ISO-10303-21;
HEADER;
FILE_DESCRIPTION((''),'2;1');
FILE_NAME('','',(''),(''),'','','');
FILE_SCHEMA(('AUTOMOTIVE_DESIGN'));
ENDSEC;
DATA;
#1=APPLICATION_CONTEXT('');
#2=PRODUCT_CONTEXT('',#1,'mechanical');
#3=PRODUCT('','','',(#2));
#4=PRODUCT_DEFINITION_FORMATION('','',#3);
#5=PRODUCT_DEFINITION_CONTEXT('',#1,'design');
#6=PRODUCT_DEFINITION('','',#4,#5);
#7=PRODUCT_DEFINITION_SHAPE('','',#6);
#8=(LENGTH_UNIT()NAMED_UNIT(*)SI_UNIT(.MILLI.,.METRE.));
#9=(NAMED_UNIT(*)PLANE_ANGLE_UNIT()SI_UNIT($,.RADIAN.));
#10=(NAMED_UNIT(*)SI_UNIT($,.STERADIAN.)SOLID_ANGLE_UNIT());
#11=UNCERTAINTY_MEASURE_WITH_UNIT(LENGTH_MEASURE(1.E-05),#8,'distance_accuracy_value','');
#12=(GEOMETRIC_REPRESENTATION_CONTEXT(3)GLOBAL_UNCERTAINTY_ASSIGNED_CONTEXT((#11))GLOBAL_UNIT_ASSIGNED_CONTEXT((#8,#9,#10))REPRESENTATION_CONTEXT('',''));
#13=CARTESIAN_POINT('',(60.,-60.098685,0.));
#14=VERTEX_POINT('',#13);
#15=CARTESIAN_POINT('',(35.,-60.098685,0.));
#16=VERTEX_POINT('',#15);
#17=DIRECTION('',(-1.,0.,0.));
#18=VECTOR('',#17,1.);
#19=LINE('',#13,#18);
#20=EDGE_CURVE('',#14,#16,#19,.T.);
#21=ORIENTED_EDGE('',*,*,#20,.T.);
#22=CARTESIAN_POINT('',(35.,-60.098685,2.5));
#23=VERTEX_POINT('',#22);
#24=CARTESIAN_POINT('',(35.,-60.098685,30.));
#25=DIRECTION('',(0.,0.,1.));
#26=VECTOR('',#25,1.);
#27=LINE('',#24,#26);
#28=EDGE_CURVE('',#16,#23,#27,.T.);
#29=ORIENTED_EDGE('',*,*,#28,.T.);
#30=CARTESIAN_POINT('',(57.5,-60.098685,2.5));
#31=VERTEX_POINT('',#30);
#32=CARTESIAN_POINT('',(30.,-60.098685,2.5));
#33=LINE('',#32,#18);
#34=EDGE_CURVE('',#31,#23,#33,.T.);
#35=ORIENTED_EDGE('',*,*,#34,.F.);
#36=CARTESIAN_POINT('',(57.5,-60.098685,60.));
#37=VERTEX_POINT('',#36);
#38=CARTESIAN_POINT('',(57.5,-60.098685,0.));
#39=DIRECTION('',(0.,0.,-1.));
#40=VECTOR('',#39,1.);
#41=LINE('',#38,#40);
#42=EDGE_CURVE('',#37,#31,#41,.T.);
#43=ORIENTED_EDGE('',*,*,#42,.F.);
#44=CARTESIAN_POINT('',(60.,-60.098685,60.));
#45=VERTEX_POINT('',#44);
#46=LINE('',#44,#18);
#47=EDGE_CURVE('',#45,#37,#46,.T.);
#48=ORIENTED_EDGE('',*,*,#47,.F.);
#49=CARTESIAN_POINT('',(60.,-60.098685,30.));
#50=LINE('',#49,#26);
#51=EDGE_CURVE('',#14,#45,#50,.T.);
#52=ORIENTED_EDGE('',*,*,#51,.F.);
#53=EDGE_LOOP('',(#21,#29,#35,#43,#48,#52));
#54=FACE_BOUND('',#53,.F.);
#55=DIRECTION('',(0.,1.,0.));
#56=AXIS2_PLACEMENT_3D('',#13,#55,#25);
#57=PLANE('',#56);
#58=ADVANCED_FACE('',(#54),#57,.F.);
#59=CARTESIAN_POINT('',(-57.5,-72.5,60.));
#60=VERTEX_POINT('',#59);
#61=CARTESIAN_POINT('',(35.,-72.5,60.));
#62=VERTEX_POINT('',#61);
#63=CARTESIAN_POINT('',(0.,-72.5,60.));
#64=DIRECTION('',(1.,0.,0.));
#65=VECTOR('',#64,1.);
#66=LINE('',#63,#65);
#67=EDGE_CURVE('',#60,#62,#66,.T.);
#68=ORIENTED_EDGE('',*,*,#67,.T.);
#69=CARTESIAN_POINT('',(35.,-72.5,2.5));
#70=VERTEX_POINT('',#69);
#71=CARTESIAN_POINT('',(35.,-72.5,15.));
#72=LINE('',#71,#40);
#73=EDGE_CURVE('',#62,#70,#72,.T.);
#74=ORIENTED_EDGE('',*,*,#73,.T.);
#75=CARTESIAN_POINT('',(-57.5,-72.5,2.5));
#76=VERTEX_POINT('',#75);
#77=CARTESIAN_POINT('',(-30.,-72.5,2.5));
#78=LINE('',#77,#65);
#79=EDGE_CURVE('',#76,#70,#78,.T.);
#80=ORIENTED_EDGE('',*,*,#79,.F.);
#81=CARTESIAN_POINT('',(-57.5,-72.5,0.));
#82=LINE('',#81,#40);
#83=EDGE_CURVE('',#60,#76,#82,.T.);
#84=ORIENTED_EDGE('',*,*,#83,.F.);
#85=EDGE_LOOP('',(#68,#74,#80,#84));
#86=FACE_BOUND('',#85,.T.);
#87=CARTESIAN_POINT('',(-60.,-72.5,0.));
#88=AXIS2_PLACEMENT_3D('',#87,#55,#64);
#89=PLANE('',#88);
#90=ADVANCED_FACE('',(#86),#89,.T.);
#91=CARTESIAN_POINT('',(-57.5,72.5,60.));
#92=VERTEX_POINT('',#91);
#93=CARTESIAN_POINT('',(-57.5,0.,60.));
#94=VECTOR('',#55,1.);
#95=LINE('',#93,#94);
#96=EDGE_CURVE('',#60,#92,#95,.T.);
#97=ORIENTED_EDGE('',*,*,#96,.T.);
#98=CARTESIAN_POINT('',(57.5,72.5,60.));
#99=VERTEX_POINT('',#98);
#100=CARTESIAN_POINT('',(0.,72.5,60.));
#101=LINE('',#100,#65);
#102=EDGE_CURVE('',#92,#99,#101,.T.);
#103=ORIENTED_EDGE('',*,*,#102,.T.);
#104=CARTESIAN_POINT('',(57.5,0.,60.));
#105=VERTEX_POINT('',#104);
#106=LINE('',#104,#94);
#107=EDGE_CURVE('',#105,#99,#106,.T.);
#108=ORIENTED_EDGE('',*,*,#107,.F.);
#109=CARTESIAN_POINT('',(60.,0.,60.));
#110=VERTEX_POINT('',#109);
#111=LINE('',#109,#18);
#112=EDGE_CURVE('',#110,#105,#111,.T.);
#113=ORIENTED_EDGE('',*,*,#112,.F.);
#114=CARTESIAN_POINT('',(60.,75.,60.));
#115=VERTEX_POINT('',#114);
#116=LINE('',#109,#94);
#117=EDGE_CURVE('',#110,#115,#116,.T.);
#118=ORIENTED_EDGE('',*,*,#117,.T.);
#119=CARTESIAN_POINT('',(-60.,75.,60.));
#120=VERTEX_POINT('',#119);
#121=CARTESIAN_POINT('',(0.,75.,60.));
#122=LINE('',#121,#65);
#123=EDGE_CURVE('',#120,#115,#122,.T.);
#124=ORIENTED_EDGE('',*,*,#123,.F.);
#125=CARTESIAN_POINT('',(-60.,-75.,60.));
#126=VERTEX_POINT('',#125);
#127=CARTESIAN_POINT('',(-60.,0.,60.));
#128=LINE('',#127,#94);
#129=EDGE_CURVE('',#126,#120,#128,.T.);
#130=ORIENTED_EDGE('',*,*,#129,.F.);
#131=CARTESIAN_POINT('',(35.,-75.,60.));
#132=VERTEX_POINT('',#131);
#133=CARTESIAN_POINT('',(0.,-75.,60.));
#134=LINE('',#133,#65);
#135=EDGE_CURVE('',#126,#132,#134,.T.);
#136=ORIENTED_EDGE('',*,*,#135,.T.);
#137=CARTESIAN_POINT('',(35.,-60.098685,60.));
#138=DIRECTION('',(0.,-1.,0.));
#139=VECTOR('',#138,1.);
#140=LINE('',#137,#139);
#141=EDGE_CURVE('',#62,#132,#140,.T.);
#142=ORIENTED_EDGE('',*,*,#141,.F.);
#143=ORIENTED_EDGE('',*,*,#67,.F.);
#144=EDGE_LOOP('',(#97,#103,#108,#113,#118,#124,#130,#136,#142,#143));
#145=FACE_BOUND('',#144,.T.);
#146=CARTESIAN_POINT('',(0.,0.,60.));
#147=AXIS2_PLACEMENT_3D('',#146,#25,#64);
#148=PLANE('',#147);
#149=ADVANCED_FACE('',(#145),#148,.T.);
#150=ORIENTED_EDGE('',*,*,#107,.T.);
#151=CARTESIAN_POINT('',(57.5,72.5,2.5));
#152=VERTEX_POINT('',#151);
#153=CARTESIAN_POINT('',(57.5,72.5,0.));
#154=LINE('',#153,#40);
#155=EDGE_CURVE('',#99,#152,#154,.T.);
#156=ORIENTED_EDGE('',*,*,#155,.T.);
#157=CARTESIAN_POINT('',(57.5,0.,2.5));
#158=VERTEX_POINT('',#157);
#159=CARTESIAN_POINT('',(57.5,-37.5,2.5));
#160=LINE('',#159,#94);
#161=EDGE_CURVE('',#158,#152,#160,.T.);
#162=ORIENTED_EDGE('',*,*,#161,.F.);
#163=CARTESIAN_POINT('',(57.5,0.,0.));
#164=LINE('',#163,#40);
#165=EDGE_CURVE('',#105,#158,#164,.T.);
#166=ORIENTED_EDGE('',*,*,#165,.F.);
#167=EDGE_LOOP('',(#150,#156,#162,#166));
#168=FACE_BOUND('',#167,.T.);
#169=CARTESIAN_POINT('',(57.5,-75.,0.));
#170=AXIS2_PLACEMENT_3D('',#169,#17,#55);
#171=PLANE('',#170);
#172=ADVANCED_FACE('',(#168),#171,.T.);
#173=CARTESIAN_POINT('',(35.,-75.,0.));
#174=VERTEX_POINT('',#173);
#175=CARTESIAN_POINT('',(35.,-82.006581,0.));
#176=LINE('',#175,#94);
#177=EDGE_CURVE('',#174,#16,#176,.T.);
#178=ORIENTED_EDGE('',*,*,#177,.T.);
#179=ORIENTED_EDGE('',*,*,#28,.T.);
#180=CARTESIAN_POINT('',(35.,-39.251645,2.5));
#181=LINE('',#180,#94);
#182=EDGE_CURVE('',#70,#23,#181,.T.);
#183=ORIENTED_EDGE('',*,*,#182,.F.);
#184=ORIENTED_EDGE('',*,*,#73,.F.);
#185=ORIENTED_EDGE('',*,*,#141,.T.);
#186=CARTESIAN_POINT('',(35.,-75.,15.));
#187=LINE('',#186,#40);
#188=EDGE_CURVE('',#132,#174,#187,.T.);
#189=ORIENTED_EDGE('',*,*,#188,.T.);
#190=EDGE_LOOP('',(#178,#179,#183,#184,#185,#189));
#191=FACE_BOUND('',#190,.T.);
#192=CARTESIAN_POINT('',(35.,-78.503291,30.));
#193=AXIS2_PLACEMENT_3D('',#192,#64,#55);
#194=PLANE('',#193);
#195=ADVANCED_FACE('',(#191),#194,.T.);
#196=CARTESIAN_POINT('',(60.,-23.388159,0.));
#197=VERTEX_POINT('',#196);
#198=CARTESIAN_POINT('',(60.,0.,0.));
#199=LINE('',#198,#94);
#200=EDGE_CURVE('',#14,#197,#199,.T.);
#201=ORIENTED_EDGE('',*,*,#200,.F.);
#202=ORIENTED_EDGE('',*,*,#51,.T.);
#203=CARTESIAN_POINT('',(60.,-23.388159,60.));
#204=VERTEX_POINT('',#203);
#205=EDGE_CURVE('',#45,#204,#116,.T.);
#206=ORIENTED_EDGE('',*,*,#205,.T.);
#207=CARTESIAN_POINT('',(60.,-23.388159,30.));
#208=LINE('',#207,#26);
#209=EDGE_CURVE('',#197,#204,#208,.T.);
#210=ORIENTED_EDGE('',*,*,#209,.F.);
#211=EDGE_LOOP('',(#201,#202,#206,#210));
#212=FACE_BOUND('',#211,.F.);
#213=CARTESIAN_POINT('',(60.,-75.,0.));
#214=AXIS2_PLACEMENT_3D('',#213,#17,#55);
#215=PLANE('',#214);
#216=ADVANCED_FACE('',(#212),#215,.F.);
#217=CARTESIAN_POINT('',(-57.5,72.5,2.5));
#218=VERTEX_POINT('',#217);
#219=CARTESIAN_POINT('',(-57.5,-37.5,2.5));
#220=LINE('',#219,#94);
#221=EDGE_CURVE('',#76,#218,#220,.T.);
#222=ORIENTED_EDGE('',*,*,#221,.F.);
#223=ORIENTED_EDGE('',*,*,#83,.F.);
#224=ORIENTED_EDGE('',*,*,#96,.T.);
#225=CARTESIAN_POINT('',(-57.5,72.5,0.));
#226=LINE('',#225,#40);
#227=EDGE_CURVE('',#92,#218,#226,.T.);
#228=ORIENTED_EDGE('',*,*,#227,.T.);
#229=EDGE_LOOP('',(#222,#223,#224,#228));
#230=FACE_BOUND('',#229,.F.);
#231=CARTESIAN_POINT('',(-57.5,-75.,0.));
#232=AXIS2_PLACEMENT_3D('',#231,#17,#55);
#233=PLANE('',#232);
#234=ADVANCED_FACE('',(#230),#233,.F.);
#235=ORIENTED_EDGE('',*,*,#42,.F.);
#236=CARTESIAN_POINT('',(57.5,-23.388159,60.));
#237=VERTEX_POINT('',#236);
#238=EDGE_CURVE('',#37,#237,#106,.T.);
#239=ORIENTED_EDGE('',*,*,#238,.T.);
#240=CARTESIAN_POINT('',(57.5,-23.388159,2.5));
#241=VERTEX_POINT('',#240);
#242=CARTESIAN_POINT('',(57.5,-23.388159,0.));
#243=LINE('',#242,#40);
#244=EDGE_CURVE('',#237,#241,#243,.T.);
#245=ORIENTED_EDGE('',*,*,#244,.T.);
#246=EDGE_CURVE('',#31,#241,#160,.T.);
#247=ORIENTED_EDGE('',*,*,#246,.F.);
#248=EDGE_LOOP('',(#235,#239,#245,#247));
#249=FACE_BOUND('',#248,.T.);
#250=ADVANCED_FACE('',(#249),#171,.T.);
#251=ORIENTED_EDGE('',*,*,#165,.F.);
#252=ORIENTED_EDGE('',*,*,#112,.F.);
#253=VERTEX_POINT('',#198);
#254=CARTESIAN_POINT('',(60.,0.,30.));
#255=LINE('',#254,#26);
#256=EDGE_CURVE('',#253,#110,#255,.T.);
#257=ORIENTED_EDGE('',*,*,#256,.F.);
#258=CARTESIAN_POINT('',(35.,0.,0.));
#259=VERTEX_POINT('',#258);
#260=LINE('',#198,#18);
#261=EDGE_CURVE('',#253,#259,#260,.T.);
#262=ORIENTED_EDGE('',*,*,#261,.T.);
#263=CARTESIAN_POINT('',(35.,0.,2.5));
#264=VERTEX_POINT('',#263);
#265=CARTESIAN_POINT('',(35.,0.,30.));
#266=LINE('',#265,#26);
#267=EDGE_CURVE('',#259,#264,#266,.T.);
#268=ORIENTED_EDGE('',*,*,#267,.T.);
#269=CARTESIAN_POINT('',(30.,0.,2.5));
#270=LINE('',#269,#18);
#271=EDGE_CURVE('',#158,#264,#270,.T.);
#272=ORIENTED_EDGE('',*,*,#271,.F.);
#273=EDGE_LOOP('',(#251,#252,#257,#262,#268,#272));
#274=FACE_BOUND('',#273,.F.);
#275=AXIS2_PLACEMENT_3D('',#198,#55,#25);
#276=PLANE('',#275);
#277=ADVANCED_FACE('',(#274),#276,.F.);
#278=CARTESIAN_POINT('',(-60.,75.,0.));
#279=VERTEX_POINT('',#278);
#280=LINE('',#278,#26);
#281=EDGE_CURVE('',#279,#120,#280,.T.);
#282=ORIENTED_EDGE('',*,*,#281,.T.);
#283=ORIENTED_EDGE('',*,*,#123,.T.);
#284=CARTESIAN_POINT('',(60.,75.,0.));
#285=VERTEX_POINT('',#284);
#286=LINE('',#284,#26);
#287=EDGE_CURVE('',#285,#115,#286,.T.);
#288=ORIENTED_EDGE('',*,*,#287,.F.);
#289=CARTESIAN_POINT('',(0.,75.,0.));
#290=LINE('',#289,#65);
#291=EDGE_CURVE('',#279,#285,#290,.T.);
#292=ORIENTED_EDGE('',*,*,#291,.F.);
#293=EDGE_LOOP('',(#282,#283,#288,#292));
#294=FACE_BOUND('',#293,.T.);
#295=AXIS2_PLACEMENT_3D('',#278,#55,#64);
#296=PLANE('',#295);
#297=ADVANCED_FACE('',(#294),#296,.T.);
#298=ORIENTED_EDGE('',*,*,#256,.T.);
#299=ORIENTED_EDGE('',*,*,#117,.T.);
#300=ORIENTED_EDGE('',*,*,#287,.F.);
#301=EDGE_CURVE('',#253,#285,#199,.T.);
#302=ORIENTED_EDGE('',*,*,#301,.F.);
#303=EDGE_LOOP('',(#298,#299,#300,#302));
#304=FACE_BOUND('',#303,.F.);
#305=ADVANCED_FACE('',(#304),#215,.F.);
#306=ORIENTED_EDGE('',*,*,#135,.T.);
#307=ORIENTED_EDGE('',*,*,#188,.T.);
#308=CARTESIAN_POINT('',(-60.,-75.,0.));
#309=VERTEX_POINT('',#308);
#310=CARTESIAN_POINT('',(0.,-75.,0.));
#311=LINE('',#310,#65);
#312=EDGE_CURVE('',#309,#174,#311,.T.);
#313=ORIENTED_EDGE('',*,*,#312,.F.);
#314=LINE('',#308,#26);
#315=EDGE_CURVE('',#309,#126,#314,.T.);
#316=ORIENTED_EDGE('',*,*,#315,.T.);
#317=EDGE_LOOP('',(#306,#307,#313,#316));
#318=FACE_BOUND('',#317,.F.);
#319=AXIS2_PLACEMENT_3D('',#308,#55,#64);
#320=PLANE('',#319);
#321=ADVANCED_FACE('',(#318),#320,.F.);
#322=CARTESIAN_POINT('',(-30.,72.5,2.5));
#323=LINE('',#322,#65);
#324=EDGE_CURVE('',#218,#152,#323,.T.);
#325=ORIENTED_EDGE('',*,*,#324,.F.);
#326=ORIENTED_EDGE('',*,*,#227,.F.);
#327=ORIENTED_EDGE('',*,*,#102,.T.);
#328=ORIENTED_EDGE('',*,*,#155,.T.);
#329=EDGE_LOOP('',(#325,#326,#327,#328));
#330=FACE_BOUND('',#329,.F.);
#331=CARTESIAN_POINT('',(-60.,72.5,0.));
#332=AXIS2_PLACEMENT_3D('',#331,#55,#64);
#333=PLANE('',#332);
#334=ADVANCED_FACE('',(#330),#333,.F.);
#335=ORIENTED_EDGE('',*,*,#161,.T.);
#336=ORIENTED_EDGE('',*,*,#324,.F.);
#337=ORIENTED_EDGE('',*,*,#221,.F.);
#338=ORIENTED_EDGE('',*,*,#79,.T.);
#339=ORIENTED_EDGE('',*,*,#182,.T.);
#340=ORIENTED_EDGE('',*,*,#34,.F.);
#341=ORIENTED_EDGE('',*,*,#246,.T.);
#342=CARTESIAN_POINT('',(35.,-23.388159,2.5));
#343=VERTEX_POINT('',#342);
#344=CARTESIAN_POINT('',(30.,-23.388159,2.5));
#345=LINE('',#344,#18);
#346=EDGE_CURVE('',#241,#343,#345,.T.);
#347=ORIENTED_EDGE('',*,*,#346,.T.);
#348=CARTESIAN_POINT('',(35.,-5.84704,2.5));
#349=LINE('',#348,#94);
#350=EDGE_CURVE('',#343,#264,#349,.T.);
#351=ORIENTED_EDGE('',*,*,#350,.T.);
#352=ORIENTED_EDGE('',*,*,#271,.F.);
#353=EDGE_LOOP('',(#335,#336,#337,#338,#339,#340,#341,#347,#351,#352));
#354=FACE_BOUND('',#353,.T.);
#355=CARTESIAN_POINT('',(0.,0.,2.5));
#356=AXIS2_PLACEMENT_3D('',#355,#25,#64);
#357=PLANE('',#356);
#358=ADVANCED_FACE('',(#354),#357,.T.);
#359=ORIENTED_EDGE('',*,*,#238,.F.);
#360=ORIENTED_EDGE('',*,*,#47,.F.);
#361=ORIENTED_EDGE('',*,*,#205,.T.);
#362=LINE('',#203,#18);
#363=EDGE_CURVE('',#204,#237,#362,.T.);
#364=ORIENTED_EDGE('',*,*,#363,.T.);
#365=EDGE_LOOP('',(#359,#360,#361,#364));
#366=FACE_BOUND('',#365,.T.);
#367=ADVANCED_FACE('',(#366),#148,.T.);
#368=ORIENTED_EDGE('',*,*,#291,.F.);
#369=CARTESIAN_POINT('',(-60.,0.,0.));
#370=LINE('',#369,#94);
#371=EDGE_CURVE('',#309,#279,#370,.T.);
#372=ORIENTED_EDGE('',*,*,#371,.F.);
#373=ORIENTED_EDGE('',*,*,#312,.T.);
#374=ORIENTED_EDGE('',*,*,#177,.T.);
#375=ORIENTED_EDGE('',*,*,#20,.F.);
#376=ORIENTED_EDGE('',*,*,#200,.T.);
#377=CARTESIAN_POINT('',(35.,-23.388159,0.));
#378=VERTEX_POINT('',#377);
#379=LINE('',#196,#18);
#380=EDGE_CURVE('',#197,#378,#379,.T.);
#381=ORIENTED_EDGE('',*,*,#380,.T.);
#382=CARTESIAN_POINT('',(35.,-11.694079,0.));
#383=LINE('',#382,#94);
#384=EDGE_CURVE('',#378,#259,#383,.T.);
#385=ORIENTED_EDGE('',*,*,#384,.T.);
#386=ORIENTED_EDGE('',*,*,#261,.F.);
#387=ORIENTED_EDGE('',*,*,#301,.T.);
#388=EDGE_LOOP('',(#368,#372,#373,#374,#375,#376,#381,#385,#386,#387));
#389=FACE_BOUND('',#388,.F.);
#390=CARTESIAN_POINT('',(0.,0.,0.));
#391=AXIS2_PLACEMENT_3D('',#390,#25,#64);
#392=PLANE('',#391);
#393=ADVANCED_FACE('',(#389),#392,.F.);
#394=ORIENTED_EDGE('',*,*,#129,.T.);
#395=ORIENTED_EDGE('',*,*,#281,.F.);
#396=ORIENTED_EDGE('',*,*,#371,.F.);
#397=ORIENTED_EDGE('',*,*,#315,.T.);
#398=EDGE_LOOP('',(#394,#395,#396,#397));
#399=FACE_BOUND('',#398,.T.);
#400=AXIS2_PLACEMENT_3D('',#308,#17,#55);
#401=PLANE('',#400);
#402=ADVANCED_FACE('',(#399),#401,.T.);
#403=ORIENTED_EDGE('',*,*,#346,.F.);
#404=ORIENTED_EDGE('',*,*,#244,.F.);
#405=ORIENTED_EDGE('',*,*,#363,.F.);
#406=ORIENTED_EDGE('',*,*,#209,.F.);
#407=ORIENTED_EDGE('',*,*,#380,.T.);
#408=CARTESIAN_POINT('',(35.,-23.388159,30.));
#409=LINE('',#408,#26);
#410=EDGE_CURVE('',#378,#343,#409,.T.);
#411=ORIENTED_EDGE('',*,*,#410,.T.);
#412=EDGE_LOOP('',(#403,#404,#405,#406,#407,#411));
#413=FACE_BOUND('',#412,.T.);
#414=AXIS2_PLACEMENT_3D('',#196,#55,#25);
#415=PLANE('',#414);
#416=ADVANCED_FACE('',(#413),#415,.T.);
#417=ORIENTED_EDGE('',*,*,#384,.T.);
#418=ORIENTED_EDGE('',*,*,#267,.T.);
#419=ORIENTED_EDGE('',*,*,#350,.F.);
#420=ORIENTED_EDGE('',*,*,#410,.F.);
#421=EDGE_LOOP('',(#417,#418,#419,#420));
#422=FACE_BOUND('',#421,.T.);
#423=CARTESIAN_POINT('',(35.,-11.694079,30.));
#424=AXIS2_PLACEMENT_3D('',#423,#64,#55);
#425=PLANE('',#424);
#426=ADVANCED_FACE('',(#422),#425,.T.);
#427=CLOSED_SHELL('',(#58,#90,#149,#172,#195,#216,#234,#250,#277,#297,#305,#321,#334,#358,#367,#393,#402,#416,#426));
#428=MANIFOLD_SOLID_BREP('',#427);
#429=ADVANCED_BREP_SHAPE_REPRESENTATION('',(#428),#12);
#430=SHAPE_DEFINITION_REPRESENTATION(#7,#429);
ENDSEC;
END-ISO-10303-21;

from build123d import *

# Parameters (mm, degrees)
F0_W     = 120
F0_H     = 150
F1_DEPTH = 60
F2_T     = -2.5
F3_W     = 7.0065811276
F3_H     = 60
F3_W_2   = 14.9013146758
F4_DEPTH = 25
F5_W     = 23.38815853
F5_H     = 60
F6_DEPTH = 25


with BuildPart() as f1:
    # F0 (on Top) → F1 (new body)
    with BuildSketch(Plane.XY):
        Rectangle(F0_W, F0_H)
    extrude(amount=F1_DEPTH)

    # F2
    f2_openings = [f1.faces().sort_by_distance(p)[0] for p in [
        (0, 0, 60),
    ]]
    offset(amount=F2_T, openings=f2_openings)

    # F3 (on face) → F4 (cut)
    with BuildSketch(Plane.YZ.offset(60)):
        with Locations((-78.5032905638, 30)):
            Rectangle(F3_W, F3_H)
        with Locations((-67.5493426621, 30)):
            Rectangle(F3_W_2, F3_H)
    extrude(amount=-F4_DEPTH, mode=Mode.SUBTRACT)

    # F5 (on face) → F6 (cut)
    with BuildSketch(Plane.YZ.offset(60)):
        with Locations((-11.694079265, 30)):
            Rectangle(F5_W, F5_H)
    extrude(amount=-F6_DEPTH, mode=Mode.SUBTRACT)


solid = f1.part
